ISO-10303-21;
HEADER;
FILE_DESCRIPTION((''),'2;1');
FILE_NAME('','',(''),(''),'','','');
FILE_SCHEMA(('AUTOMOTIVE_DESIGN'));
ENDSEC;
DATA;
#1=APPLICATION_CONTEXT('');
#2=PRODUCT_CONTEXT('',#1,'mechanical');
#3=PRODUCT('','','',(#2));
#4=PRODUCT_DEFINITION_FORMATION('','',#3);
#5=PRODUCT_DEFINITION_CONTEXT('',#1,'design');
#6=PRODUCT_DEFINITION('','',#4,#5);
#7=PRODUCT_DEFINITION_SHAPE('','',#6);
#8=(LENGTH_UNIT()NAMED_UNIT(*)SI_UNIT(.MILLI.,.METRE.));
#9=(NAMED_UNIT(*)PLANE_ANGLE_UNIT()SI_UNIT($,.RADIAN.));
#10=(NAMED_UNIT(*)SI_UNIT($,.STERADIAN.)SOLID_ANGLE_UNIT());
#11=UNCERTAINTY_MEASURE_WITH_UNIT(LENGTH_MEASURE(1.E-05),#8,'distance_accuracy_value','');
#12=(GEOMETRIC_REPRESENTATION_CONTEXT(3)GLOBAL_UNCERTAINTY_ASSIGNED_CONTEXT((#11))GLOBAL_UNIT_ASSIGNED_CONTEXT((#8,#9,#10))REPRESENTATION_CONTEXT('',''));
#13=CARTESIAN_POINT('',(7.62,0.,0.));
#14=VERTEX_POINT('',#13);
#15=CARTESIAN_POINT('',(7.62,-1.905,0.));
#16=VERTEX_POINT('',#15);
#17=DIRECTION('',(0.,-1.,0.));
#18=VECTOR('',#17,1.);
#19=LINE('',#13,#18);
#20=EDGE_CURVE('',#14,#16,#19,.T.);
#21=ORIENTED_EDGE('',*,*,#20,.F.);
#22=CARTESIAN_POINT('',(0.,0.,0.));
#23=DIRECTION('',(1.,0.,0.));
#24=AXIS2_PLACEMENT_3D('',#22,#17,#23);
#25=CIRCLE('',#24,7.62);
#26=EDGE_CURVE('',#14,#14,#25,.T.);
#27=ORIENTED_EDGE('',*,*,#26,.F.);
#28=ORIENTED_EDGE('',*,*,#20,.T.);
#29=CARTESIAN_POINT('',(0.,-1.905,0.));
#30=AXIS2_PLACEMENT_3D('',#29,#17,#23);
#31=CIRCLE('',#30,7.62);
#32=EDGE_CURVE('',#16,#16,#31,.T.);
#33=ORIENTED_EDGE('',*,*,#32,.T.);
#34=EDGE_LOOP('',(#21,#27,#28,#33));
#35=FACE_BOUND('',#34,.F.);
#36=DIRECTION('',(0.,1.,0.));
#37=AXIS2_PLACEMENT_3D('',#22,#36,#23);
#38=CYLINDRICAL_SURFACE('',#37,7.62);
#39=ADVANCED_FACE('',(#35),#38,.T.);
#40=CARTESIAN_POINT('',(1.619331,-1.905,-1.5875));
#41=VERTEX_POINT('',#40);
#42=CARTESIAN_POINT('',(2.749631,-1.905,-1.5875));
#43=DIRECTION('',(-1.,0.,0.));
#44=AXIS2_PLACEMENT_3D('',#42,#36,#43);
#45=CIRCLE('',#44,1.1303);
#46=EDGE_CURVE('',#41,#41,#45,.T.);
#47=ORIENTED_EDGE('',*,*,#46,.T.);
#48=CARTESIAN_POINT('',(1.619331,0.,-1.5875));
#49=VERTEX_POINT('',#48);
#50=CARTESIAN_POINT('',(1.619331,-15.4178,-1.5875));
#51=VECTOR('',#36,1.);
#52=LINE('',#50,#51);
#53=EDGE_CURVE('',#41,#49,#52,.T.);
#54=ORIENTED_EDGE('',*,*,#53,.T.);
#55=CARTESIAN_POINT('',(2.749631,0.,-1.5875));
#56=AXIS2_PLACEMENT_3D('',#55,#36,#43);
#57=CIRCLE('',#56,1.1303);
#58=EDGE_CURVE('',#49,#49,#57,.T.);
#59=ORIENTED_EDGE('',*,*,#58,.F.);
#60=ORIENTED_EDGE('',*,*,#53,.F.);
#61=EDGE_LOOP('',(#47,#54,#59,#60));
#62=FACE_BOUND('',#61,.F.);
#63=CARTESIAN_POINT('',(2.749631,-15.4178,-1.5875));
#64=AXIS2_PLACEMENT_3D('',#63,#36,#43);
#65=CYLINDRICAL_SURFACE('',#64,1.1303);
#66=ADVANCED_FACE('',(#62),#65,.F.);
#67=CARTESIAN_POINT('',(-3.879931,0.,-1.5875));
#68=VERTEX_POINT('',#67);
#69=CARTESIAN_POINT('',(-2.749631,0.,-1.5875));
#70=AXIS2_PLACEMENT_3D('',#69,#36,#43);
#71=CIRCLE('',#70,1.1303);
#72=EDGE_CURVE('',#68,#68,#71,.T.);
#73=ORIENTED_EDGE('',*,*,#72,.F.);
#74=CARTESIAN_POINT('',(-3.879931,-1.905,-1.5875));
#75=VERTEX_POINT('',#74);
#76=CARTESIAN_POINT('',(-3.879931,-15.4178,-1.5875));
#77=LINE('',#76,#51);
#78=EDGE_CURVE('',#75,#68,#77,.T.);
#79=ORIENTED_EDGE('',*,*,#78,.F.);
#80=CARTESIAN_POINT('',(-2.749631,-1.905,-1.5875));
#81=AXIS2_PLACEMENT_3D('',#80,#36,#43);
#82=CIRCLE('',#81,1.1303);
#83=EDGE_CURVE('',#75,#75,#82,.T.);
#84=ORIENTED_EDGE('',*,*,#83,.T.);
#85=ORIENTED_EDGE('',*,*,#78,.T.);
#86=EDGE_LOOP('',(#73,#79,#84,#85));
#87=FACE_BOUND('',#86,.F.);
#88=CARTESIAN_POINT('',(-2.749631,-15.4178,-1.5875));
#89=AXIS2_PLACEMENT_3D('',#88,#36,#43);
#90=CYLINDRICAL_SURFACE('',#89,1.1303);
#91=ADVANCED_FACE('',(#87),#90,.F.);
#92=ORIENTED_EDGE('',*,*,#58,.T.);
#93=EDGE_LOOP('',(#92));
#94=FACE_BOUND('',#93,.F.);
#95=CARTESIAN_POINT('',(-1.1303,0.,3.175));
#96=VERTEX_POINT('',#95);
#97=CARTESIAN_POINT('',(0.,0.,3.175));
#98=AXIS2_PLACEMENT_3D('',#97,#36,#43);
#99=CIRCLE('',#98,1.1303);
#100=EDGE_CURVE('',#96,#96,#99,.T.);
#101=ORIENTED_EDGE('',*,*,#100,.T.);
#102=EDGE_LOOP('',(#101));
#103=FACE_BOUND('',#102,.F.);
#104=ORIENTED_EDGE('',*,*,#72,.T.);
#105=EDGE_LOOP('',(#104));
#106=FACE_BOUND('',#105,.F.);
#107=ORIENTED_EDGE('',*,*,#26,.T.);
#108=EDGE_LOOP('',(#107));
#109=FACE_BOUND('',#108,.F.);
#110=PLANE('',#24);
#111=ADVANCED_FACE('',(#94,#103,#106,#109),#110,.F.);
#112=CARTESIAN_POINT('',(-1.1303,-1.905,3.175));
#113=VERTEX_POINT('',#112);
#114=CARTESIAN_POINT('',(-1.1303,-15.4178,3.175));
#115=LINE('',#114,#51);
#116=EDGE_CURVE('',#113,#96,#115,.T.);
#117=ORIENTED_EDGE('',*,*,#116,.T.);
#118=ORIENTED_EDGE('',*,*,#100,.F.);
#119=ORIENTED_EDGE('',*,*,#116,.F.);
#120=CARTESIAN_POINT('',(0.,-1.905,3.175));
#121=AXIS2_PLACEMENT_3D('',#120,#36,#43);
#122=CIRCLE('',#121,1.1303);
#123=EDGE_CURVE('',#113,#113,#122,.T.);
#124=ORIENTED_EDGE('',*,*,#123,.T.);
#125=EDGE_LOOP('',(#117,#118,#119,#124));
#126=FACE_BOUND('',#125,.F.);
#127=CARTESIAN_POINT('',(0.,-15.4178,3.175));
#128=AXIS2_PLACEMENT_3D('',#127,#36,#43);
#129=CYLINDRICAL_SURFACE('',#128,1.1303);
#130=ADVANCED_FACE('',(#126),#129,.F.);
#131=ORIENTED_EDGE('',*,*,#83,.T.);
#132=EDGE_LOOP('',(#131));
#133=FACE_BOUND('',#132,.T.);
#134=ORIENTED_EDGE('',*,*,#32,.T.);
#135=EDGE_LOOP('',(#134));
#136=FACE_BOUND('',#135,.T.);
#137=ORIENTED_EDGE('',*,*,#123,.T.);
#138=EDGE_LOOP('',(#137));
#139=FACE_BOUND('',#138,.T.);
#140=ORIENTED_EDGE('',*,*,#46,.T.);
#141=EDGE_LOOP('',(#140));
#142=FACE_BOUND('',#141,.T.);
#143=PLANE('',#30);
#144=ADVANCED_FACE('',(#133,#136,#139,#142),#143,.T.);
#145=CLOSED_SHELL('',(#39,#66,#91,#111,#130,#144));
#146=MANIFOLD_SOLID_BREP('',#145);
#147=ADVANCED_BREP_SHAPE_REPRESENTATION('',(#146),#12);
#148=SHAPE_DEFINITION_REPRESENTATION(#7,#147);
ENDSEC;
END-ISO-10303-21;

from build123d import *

# Parameters (mm, degrees)
F0_R     = 7.62
F1_DEPTH = 1.905
F3_D     = 2.2606
F3_DEPTH = 13.5128
F3_TIP   = 0.6791527577


with BuildPart() as f1:
    # F0 (on Front) → F1 (new body)
    with BuildSketch(Plane.XZ):
        Circle(F0_R)
    extrude(amount=F1_DEPTH)

    # F3
    with Locations(Plane.XZ.offset(1.905)):
        with Locations((0, 3.175), (2.749630657, -1.5875), (-2.749630657, -1.5875)):
            Hole(F3_D / 2, depth=F3_DEPTH)
            with Locations((0, 0, -(F3_DEPTH + F3_TIP / 2))):  # 118° drill point
                Cone(0, F3_D / 2, F3_TIP, mode=Mode.SUBTRACT)


solid = f1.part
